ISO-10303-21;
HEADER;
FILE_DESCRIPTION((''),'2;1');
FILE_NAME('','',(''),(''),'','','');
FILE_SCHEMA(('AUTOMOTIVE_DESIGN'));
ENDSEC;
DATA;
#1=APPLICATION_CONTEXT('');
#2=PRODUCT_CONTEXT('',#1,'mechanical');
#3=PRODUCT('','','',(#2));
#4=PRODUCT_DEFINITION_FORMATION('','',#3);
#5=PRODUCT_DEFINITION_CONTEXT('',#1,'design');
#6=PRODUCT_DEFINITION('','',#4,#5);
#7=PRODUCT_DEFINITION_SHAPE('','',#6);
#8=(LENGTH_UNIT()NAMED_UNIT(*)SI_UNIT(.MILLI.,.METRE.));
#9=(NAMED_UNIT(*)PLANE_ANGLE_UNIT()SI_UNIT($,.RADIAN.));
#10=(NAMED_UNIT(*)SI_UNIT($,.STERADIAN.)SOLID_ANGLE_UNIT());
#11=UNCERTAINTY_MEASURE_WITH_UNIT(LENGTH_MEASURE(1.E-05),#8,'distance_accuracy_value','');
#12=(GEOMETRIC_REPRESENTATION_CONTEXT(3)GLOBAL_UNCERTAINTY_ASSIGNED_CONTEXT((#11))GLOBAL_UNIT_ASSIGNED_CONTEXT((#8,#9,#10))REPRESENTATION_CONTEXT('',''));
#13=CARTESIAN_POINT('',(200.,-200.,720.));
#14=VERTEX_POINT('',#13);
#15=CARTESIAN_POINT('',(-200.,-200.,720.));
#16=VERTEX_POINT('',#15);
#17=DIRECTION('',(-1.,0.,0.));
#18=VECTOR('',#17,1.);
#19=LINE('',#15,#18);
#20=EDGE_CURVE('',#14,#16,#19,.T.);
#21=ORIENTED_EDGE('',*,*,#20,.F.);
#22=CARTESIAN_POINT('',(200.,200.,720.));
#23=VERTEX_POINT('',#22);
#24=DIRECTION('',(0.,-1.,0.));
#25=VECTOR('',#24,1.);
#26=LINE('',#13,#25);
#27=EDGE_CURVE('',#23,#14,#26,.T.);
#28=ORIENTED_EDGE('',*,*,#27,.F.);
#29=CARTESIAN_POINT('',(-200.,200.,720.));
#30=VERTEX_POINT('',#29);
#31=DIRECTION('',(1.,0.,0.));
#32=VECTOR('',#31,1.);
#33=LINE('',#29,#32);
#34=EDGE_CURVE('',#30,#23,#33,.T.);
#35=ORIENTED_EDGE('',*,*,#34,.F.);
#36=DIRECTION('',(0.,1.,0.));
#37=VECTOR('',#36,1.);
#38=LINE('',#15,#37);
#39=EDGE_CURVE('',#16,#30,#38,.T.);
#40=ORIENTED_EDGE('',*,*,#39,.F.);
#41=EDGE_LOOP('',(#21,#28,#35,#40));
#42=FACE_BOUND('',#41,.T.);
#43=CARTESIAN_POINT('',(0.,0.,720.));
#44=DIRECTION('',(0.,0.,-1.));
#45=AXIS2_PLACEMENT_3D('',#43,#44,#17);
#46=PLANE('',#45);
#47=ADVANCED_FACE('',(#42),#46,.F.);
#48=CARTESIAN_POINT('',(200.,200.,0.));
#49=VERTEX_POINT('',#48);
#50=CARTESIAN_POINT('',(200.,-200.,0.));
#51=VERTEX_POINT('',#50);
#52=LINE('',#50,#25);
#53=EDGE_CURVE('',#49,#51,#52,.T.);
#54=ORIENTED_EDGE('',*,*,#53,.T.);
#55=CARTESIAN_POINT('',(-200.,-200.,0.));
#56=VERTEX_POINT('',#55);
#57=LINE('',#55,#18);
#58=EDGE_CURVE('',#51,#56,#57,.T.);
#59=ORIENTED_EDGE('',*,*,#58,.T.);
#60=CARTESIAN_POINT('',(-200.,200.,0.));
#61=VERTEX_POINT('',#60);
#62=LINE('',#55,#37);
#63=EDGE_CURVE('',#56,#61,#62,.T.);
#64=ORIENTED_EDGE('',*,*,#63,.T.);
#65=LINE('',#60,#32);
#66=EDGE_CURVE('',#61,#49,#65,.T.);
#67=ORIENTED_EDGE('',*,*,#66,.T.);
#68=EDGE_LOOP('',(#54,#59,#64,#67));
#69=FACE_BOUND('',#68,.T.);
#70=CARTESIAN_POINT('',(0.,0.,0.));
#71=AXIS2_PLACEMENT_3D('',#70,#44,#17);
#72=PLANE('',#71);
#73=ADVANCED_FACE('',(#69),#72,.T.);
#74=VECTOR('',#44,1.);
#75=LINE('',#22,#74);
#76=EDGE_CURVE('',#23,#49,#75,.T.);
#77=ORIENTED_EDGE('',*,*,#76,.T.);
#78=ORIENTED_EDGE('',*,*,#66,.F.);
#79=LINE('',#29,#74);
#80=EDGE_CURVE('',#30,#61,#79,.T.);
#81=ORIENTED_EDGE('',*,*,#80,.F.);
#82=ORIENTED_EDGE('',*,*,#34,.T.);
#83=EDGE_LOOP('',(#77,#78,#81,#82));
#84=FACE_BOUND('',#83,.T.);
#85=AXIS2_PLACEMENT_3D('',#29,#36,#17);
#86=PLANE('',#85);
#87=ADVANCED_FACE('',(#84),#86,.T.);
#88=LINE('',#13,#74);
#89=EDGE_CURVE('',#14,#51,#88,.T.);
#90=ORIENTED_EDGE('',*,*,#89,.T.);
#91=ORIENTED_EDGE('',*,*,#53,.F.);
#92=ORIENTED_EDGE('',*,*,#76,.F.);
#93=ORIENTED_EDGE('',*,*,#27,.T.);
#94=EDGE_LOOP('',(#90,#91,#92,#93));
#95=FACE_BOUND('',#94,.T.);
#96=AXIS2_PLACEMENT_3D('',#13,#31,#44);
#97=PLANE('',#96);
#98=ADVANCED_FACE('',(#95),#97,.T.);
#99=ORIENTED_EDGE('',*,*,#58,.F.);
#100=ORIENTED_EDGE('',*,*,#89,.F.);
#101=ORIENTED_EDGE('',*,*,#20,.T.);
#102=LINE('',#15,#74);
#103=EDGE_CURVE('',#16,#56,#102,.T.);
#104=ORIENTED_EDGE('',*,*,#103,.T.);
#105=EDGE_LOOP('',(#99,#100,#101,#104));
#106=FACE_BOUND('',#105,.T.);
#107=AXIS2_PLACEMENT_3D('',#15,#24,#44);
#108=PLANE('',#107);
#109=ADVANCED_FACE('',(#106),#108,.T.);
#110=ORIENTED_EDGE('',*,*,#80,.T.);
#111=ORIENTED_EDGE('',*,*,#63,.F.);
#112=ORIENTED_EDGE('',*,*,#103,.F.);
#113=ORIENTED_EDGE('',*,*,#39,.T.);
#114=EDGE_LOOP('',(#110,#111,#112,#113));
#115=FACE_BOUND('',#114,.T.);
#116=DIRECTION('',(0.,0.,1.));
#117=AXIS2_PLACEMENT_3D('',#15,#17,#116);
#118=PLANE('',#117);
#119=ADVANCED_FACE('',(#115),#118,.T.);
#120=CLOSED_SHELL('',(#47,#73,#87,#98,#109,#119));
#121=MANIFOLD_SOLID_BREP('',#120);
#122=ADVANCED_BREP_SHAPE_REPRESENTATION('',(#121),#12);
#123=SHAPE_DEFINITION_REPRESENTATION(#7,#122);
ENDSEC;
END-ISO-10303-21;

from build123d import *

# Parameters (mm, degrees)
SCHIZZO1_W                   = 400
SCHIZZO1_H                   = 400
ESTRUSIONE_ESTRUSIONE1_DEPTH = 720


with BuildPart() as part:
    # Schizzo1 → Estrusione-Estrusione1 (new body)
    with BuildSketch(Plane(origin=(0, 0, 0), x_dir=(-1, 0, 0), z_dir=(0, 0, -1))):
        Rectangle(SCHIZZO1_W, SCHIZZO1_H)
    extrude(amount=-ESTRUSIONE_ESTRUSIONE1_DEPTH)


solid = part.part
